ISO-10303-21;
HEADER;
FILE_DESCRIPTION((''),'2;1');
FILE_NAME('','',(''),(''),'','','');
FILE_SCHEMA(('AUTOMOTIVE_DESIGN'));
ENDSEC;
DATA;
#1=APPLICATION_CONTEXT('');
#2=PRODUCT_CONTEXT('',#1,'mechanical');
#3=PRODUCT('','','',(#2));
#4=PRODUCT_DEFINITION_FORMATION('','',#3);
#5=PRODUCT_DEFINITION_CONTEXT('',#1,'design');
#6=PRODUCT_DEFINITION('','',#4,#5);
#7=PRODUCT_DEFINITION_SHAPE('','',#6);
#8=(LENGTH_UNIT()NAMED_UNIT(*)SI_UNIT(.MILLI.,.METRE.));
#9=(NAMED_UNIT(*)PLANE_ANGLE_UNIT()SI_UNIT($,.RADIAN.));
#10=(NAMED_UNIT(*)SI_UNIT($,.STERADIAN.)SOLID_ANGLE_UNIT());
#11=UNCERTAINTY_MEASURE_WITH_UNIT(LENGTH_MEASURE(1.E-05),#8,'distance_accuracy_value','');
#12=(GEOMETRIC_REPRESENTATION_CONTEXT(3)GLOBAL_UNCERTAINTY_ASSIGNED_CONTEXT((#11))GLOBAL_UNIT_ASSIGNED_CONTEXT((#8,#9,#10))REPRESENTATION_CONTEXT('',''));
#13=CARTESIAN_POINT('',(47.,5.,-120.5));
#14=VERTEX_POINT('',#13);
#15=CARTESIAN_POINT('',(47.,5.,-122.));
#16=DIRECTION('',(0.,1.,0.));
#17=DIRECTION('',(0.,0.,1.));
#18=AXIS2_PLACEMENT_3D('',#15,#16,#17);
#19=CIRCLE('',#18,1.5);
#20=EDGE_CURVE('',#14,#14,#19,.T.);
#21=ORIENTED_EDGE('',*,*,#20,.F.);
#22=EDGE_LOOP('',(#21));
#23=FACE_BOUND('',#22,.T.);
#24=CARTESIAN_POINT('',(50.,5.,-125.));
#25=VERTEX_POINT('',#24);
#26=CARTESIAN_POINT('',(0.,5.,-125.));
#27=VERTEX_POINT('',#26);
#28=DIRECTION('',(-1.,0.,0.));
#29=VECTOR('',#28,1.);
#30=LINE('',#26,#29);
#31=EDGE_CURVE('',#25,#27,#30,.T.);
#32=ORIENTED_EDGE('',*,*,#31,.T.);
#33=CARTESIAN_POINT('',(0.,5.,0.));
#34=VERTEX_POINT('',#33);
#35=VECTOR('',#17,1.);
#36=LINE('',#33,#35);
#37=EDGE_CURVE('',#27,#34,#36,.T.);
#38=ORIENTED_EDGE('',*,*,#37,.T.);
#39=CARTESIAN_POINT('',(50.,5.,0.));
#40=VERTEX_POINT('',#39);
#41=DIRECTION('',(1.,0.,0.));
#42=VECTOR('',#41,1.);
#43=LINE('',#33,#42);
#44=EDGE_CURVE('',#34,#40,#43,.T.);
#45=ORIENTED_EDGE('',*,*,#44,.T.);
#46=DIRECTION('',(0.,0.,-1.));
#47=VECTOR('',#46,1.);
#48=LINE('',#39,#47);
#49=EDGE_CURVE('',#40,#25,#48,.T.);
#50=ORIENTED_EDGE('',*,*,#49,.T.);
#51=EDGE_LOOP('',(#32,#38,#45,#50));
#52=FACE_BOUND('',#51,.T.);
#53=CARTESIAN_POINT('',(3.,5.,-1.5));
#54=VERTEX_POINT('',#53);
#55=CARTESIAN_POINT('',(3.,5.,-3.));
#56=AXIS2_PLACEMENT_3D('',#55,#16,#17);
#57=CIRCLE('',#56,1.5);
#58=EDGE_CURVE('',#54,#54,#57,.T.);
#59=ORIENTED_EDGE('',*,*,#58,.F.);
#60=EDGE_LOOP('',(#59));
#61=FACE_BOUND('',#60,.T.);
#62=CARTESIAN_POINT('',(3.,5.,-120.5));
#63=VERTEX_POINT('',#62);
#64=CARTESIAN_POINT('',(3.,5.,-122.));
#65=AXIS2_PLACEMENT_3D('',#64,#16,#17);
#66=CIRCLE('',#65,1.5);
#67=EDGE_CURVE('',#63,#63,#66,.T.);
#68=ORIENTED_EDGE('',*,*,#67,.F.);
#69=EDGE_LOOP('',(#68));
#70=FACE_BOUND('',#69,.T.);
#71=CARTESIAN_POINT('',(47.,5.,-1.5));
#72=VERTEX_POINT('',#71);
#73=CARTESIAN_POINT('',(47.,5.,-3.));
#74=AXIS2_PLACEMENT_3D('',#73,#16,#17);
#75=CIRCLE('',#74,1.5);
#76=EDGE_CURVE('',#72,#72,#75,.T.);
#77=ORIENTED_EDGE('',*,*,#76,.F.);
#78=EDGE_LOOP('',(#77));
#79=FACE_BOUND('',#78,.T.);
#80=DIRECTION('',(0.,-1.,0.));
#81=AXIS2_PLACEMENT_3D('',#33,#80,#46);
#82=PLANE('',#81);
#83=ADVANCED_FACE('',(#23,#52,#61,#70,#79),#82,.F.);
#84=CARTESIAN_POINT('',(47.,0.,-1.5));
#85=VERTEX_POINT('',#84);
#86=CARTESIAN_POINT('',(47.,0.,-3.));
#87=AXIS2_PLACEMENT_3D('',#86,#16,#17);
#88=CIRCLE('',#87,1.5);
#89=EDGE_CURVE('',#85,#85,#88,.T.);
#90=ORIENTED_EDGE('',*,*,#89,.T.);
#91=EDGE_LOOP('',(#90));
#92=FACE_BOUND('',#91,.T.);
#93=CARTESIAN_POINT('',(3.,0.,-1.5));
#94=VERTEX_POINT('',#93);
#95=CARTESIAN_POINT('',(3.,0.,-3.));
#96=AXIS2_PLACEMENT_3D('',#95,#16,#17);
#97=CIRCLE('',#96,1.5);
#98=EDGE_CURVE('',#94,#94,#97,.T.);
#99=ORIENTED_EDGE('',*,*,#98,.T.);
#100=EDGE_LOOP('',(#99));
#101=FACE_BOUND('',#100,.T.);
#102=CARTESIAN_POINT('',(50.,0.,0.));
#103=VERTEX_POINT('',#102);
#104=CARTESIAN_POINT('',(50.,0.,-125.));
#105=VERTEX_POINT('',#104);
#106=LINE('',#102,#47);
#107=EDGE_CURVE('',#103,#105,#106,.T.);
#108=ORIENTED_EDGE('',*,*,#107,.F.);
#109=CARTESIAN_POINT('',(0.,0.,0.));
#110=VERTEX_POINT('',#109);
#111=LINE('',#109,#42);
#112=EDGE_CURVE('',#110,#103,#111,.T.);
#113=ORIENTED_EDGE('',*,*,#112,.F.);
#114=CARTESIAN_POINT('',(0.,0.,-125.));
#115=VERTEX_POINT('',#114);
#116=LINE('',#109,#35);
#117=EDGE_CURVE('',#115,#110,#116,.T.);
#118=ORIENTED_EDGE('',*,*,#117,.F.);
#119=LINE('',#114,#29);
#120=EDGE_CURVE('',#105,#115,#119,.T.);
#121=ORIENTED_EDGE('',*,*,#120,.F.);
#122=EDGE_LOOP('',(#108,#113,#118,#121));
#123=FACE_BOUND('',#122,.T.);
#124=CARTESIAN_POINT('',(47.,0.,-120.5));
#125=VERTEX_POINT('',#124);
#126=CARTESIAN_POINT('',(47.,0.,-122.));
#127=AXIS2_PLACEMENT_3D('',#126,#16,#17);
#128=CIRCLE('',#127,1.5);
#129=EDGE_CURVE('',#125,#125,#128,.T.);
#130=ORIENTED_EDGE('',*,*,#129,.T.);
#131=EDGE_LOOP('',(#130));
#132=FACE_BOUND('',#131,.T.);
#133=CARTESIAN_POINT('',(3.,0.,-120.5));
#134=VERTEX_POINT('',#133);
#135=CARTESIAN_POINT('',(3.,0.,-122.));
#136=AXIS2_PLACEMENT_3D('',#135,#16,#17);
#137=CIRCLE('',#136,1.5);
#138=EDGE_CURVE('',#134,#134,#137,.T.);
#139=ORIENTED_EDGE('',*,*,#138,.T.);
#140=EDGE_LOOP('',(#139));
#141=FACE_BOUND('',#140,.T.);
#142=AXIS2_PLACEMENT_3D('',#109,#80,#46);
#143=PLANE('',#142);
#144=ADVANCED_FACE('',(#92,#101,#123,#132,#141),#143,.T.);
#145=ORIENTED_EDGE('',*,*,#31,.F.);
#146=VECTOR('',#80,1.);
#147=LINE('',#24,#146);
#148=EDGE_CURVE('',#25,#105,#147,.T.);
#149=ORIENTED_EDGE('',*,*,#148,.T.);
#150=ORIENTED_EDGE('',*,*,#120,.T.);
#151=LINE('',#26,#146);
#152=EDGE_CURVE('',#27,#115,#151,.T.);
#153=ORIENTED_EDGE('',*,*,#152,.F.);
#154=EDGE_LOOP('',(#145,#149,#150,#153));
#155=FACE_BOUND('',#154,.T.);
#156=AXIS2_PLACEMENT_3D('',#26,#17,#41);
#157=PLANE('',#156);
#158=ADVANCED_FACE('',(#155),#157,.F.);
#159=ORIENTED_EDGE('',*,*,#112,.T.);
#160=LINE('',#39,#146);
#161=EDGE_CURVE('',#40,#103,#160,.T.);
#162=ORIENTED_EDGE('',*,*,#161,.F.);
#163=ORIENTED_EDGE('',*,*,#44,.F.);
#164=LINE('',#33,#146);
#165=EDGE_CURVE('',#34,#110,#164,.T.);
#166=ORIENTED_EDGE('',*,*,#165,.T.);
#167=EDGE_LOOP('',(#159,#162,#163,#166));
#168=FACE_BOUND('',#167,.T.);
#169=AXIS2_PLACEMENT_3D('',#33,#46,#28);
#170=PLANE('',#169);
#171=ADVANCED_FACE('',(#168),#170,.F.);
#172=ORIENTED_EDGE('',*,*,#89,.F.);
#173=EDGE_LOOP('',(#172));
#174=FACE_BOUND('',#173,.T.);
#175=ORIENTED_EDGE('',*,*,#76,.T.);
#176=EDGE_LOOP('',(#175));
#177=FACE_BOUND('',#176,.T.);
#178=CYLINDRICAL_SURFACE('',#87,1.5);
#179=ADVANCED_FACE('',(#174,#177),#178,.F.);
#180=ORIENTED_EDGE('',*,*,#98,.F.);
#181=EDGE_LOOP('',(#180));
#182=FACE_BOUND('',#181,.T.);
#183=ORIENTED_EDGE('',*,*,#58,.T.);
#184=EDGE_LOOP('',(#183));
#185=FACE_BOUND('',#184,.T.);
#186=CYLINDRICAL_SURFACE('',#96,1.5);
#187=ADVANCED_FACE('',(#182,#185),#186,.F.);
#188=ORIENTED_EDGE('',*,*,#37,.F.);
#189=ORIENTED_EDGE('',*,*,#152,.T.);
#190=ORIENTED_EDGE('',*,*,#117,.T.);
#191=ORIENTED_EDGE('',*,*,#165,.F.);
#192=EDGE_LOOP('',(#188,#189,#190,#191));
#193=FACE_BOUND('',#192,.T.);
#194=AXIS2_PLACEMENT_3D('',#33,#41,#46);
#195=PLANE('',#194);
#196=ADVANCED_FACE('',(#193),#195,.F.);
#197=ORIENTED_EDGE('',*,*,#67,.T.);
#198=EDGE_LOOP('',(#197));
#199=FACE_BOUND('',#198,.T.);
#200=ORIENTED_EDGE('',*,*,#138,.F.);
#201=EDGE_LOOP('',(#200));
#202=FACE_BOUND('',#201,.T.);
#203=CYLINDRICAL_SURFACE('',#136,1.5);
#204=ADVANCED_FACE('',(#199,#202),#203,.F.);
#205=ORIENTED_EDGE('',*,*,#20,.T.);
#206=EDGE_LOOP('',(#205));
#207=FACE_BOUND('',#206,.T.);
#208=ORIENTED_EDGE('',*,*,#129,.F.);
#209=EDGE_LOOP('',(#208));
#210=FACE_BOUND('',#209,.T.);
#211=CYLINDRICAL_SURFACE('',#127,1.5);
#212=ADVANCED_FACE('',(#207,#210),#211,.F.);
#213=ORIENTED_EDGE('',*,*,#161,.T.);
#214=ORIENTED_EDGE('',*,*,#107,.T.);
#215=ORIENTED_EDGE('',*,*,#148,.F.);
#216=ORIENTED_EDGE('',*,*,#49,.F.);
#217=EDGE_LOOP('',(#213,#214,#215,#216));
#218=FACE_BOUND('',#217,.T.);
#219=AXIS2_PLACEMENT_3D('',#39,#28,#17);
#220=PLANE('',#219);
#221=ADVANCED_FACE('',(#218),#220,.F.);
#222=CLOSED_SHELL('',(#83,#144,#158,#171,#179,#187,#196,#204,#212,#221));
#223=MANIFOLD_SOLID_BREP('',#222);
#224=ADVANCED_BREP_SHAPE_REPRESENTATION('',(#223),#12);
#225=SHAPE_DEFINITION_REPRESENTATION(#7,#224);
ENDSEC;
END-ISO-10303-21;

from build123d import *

# Parameters (mm, degrees)
SKETCH1_W           = 50
SKETCH1_H           = 125
BOSS_EXTRUDE1_DEPTH = 5
SKETCH2_R           = 1.5
CUT_EXTRUDE2_DEPTH  = 135.721935853


with BuildPart() as part:
    # Sketch1 → Boss-Extrude1 (new body)
    with BuildSketch(Plane(origin=(0, 0, 0), x_dir=(1, 0, 0), z_dir=(0, 1, 0))):
        with Locations((25, 62.5)):
            Rectangle(SKETCH1_W, SKETCH1_H)
    extrude(amount=BOSS_EXTRUDE1_DEPTH)

    # Sketch2 → Cut-Extrude2 (cut, through all)
    with BuildSketch(Plane(origin=(0, 5, 0), x_dir=(1, 0, 0), z_dir=(0, 1, 0))):
        with Locations(Location((3, 122, 0), (0, 0, 270))):
            Circle(SKETCH2_R)
        with Locations(Location((47, 122, 0), (0, 0, 270))):
            Circle(SKETCH2_R)
        with Locations(Location((3, 3, 0), (0, 0, 270))):
            Circle(SKETCH2_R)
        with Locations(Location((47, 3, 0), (0, 0, 270))):
            Circle(SKETCH2_R)
    extrude(amount=-CUT_EXTRUDE2_DEPTH, mode=Mode.SUBTRACT)


solid = part.part
